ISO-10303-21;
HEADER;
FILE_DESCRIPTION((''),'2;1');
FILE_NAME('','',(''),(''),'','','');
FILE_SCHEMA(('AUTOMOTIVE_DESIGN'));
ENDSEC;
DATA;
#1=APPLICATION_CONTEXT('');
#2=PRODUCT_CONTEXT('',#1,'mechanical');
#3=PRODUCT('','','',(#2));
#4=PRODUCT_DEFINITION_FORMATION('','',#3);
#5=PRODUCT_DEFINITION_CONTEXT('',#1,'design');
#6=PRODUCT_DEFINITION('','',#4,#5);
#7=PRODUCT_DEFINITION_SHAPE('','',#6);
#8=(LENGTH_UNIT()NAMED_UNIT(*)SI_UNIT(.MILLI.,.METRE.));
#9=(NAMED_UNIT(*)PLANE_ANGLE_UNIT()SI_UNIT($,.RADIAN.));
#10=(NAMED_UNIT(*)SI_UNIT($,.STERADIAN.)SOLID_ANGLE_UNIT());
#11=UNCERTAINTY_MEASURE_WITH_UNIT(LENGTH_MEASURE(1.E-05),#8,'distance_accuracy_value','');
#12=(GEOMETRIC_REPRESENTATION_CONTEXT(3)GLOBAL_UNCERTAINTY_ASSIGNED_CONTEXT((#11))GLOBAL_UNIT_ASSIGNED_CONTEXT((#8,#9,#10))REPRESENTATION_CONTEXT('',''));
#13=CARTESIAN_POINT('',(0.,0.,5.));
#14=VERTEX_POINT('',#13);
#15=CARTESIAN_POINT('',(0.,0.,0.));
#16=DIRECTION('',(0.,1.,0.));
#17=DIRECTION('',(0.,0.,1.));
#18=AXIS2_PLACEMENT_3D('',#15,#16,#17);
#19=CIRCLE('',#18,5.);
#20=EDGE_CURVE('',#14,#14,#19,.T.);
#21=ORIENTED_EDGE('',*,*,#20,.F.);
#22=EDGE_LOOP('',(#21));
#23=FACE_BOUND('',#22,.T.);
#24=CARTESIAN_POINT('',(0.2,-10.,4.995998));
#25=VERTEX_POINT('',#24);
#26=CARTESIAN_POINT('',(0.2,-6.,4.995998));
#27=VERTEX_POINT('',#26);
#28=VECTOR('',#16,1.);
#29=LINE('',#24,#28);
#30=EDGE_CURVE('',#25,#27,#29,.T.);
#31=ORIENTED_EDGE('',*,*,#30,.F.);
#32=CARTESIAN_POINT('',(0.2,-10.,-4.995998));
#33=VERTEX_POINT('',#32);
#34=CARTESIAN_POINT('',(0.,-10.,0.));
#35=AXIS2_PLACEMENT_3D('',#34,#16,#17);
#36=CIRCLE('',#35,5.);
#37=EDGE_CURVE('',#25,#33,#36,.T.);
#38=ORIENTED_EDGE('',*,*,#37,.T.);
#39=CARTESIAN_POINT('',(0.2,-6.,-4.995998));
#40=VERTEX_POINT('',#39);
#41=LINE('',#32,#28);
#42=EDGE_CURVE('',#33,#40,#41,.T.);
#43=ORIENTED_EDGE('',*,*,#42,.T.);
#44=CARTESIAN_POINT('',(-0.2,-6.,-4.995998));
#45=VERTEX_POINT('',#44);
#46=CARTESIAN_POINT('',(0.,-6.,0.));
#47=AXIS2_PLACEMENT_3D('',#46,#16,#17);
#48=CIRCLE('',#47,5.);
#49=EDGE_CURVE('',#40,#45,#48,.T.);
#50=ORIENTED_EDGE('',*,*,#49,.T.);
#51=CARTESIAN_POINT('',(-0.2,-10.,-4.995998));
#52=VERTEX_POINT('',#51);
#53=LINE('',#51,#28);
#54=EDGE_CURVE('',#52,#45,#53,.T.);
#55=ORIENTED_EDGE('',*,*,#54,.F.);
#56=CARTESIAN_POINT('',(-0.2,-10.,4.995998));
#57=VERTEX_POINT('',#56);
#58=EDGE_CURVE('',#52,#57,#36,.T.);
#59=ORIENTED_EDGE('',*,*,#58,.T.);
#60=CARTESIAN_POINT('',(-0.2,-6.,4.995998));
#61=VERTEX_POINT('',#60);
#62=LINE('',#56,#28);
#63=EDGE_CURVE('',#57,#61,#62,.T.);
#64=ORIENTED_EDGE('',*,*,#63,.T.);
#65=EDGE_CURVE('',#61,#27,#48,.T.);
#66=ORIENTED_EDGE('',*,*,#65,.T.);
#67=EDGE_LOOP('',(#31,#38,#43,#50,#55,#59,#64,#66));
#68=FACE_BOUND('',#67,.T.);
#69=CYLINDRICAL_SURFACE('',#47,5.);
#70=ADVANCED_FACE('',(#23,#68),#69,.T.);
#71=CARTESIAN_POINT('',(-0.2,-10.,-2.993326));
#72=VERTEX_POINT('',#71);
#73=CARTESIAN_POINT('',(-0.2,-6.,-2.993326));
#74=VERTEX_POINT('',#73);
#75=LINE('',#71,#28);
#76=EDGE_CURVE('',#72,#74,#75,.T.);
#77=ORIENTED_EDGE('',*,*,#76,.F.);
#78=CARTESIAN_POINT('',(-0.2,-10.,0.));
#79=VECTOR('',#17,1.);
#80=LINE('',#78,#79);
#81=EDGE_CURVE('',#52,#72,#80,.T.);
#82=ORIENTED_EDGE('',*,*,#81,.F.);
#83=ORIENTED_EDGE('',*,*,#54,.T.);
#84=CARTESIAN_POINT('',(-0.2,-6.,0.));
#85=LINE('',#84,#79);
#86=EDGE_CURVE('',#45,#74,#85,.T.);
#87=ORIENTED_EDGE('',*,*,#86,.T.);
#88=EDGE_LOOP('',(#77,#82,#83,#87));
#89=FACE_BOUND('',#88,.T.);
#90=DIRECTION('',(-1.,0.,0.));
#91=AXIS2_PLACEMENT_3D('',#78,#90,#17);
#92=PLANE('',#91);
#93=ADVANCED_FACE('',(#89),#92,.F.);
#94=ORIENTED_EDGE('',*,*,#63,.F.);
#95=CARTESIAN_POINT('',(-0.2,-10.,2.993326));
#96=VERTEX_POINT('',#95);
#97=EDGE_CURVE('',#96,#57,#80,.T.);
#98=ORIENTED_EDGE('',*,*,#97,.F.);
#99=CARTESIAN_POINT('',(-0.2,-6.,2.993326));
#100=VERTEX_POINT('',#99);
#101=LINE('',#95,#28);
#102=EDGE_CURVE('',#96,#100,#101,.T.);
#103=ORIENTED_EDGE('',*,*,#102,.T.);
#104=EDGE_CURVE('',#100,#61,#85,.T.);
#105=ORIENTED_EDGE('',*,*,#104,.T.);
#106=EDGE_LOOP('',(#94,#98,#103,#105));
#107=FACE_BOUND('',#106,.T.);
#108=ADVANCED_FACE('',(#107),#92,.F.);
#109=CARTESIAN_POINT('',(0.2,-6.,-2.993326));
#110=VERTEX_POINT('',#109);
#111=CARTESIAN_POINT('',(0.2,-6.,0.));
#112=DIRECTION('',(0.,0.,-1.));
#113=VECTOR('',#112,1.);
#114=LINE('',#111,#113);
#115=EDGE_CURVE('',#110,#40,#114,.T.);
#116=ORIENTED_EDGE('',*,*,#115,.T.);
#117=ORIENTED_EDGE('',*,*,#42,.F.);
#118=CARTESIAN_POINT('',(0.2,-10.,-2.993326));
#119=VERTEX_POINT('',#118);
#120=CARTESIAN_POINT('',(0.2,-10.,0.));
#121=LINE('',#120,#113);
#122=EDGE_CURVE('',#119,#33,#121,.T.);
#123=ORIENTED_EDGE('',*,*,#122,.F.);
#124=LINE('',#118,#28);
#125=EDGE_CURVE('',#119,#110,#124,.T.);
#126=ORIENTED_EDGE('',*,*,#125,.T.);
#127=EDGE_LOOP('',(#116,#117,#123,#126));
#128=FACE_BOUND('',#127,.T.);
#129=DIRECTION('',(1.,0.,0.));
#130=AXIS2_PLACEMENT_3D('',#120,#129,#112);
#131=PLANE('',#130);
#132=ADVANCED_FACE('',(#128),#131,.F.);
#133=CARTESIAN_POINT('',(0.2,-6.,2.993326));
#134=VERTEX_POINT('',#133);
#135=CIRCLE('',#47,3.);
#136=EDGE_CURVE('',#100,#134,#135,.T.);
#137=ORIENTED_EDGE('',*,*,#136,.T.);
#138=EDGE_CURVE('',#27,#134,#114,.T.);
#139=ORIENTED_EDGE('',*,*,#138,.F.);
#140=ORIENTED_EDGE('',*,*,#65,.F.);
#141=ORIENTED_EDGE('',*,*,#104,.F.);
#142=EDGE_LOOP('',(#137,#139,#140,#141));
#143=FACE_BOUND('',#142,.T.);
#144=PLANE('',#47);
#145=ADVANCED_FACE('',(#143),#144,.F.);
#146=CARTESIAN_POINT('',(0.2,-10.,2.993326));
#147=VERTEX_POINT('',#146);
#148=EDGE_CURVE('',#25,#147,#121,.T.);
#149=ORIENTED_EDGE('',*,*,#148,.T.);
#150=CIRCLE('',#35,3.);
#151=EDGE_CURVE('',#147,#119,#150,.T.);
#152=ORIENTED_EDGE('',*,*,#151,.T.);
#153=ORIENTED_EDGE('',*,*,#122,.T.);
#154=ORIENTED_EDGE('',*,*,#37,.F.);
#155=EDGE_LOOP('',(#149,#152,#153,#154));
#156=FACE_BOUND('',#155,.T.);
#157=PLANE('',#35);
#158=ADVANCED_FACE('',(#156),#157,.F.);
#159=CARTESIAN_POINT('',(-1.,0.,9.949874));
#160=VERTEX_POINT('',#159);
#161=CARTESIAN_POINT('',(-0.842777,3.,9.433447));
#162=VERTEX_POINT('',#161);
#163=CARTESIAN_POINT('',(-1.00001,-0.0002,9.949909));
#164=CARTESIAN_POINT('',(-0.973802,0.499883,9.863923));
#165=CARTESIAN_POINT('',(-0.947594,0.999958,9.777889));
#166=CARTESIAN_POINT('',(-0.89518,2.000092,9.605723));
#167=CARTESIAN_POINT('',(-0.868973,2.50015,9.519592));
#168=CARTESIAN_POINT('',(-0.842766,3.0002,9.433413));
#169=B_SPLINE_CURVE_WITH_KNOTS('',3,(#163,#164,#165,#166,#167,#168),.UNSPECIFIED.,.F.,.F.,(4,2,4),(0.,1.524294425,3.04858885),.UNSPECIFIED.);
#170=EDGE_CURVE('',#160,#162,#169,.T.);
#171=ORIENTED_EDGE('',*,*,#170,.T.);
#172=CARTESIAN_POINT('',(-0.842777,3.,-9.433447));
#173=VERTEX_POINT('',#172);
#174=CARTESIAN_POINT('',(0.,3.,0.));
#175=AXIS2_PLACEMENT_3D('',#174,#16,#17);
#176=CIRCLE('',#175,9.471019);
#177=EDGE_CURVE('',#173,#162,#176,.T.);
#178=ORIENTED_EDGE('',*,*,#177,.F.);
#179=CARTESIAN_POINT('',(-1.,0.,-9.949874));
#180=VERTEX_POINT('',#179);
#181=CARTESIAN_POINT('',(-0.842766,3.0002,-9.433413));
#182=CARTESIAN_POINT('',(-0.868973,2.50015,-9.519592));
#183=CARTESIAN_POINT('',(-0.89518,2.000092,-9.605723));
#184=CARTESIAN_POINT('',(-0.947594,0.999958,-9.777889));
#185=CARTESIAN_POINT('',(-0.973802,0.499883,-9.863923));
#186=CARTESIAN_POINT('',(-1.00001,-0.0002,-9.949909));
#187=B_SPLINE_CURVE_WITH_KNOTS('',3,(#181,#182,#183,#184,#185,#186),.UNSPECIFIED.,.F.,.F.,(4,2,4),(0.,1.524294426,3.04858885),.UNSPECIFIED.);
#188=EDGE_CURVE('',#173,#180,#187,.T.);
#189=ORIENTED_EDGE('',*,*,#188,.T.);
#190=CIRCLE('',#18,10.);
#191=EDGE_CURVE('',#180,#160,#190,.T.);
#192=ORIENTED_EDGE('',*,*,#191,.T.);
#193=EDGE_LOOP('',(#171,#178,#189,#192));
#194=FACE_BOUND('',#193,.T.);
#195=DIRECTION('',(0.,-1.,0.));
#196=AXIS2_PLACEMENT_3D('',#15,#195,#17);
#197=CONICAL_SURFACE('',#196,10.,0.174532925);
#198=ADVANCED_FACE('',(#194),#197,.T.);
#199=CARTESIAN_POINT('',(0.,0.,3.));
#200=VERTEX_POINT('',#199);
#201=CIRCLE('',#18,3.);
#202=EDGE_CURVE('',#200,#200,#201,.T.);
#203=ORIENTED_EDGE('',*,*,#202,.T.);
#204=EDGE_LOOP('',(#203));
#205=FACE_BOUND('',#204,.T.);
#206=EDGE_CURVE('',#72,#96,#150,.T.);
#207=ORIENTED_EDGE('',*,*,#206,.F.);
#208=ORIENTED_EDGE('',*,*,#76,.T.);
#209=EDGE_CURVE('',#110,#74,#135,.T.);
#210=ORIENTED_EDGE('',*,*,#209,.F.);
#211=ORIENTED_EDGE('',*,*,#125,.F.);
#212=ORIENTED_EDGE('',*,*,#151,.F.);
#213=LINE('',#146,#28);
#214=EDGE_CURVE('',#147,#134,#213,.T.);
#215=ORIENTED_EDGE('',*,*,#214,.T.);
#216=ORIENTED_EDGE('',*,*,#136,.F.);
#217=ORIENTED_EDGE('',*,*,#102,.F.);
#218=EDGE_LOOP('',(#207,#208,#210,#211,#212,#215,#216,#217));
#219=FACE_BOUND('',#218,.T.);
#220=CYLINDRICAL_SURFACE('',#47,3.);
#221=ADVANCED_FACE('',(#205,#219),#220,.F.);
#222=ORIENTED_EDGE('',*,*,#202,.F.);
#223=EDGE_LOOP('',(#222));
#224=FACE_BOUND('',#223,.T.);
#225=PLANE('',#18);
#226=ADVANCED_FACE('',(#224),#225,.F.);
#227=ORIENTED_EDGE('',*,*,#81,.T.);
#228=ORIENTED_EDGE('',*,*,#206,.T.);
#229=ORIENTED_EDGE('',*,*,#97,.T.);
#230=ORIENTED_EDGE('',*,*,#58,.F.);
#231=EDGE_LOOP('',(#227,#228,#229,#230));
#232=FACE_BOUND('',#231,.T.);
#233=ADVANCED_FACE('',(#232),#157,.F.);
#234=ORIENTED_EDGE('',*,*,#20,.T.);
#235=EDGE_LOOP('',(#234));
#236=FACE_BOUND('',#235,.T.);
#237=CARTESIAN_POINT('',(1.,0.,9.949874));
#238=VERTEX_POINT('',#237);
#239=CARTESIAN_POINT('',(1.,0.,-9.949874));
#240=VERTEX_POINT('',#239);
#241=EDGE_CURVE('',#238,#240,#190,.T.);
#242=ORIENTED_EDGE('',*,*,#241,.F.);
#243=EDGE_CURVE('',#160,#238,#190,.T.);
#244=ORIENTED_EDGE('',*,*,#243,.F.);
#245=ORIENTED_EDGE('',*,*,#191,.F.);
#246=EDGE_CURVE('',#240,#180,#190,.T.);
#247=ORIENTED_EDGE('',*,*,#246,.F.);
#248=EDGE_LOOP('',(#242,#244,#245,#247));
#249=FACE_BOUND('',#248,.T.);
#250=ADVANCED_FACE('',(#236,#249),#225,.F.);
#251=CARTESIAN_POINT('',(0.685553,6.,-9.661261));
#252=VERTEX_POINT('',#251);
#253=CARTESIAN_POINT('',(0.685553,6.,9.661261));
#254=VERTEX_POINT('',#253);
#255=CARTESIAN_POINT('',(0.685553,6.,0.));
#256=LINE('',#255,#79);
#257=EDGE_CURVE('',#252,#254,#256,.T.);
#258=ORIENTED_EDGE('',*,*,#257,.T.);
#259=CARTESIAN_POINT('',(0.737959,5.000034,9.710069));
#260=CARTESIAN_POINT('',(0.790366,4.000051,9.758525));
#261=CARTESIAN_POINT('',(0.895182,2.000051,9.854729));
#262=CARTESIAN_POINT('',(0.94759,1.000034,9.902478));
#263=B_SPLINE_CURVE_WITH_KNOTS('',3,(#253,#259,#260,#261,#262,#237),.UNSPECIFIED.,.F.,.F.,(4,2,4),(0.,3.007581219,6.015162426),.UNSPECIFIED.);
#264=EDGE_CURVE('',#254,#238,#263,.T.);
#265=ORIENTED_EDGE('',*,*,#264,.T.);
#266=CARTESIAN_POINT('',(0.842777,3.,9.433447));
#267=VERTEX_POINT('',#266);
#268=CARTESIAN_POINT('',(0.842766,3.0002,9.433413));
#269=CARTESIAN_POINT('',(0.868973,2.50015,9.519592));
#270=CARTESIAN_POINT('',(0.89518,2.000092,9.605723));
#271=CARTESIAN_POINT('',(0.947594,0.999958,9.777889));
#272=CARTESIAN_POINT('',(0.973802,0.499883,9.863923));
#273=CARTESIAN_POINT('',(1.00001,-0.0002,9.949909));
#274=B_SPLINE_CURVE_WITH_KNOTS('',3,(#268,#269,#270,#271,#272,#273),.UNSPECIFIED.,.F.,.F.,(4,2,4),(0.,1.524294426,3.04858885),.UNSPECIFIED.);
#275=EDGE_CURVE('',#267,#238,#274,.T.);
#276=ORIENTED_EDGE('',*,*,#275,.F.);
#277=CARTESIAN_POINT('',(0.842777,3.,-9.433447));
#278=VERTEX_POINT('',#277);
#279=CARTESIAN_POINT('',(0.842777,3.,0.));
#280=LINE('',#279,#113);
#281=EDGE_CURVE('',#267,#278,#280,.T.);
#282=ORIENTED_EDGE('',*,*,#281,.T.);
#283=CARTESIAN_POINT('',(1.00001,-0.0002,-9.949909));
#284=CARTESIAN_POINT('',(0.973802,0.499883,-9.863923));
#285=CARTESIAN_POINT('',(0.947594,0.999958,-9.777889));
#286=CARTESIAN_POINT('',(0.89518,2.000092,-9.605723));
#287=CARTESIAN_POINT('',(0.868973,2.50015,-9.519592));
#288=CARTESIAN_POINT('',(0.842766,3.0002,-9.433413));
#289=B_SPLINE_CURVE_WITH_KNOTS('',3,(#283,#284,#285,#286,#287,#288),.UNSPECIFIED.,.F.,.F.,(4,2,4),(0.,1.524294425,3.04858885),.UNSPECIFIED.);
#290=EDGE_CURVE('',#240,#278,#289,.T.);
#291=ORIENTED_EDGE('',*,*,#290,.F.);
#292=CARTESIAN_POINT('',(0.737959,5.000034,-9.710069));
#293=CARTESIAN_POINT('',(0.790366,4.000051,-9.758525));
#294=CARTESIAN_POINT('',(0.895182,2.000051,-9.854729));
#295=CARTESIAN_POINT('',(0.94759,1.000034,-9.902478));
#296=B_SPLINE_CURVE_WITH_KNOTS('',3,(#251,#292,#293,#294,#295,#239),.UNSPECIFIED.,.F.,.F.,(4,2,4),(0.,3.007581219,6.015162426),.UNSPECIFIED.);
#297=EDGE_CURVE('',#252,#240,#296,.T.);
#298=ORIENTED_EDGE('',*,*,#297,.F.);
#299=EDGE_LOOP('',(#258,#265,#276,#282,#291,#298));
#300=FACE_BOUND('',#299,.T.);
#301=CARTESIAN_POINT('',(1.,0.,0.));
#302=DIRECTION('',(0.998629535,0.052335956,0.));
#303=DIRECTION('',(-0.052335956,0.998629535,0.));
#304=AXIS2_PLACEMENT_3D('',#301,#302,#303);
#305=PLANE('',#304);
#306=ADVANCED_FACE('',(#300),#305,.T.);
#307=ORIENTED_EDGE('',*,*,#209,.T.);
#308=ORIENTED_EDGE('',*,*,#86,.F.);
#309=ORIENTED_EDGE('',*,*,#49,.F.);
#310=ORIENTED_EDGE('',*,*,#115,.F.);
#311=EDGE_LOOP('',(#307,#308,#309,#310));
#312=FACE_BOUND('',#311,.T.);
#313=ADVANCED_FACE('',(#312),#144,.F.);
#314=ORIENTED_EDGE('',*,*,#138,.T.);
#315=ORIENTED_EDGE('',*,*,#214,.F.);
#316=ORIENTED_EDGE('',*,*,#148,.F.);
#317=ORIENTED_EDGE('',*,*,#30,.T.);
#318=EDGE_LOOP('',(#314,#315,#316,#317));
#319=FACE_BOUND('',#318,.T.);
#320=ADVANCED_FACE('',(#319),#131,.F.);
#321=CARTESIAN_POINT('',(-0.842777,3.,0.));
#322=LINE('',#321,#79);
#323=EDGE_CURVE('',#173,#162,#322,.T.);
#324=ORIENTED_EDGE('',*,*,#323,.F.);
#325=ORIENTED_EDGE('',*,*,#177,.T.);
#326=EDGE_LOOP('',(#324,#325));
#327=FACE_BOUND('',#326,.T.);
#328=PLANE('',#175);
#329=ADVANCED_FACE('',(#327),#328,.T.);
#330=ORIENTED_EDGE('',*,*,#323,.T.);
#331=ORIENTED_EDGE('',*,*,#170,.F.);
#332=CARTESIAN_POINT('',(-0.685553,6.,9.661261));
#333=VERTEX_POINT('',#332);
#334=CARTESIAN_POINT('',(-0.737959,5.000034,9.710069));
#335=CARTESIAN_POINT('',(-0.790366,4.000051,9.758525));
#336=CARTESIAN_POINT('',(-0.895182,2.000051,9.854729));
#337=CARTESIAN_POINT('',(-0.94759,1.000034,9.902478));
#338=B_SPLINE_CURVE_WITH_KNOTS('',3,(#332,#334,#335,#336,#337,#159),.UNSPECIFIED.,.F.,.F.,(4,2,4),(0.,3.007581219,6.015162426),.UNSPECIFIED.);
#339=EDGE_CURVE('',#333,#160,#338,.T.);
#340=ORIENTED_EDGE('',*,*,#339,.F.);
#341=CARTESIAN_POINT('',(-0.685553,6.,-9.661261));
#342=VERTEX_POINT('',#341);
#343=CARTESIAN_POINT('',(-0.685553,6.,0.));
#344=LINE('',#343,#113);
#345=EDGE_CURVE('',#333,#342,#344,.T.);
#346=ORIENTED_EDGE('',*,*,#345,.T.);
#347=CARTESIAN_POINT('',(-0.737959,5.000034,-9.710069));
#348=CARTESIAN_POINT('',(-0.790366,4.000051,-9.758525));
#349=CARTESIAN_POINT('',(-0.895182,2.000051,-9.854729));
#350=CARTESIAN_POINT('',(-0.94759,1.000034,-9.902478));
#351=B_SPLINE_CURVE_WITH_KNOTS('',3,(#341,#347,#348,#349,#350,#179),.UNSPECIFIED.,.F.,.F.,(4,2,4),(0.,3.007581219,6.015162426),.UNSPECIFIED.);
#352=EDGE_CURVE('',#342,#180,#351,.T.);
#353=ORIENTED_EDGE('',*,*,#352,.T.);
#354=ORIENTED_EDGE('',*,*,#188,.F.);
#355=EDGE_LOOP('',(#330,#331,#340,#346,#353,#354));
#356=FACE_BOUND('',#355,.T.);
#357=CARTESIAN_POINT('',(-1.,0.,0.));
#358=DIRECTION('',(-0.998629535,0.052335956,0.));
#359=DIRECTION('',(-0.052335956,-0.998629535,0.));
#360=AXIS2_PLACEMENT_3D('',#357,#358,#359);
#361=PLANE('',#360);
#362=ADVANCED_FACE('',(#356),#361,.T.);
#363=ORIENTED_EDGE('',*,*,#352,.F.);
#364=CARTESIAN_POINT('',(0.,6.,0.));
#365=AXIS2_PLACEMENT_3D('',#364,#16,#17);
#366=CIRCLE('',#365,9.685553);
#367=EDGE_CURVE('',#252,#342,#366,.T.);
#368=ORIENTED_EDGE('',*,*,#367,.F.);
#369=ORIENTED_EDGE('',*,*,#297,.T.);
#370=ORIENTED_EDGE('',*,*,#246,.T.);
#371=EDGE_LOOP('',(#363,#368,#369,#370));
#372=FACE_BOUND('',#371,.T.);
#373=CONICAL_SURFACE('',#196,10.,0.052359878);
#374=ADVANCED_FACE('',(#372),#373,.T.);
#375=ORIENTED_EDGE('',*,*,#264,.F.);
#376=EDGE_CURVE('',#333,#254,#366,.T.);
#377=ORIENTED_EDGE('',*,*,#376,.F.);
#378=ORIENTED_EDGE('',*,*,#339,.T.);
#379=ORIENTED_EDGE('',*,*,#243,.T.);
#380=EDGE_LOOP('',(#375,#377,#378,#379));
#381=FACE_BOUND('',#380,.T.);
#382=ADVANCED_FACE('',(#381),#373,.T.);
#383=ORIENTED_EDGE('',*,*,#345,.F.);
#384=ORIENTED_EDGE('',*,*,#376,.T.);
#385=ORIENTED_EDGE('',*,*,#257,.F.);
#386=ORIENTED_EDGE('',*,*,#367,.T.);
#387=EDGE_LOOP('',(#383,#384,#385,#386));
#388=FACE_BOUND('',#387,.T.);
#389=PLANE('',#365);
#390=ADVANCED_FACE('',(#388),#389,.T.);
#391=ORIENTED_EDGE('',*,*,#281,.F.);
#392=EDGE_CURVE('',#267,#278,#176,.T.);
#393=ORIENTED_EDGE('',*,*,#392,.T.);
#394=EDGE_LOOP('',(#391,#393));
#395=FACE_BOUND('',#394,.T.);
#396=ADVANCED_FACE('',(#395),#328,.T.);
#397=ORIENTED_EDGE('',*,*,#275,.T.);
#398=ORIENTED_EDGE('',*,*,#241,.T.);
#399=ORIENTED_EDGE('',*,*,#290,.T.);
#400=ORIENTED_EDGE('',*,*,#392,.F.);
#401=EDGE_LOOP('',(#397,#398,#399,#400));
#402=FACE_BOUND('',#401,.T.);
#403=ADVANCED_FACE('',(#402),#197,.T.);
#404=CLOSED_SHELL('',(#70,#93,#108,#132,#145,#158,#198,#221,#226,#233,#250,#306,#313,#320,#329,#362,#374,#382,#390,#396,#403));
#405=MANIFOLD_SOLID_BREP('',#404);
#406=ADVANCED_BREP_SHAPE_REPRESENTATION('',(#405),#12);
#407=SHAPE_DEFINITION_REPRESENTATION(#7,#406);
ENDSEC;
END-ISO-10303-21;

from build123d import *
from build123d.topology import SkipClean

# Parameters (mm, degrees)
ESBO_O2_R                = 10
RESSALTO_EXTRUS_O1_DEPTH = 3
RESSALTO_EXTRUS_O1_TAPER = 10
RESSALTO_EXTRUS_O2_DEPTH = 6
RESSALTO_EXTRUS_O2_DRAFT = 3
ESBO_O3_R                = 5
ESBO_O3_R_2              = 3
RESSALTO_EXTRUS_O3_DEPTH = 6
RESSALTO_EXTRUS_O4_DEPTH = 10


with BuildPart() as part:
    # Esboço2 → Ressalto-extrusão1 (new body)
    with BuildSketch(Plane(origin=(0, 0, 0), x_dir=(1, 0, 0), z_dir=(0, 1, 0))):
        Circle(ESBO_O2_R)
    extrude(amount=RESSALTO_EXTRUS_O1_DEPTH, taper=RESSALTO_EXTRUS_O1_TAPER)


with BuildPart() as ressalto_extrus_o2_tool:
    # Esboço2<3> → Ressalto-extrusão2 (with draft: the straight prism first)
    with BuildSketch(Plane(origin=(0, 0, 0), x_dir=(1, 0, 0), z_dir=(0, 1, 0))):
        with BuildLine():
            Line((-1, 9.949874371), (-1, -9.949874371))
            ThreePointArc((-1, -9.949874371), (0, -10), (1, -9.949874371))
            Line((1, -9.949874371), (1, 9.949874371))
            ThreePointArc((1, 9.949874371), (0, 10), (-1, 9.949874371))
        make_face()
    extrude(amount=RESSALTO_EXTRUS_O2_DEPTH)
    # Ressalto-extrusão2: the draft: its side faces are tilted about the plane it starts from
    ressalto_extrus_o2_sides = [ressalto_extrus_o2_tool.faces().sort_by_distance(p)[0] for p in [
        (1, 3, 0),
        (0, 3, -10),
        (-1, 3, 0),
        (0, 3, 10),
    ]]
    draft(ressalto_extrus_o2_sides, Plane(origin=(0, 0, 0), x_dir=(1, 0, 0), z_dir=(0, 1, 0)), RESSALTO_EXTRUS_O2_DRAFT)


with BuildPart() as part_1:
    add(part.part)

    # Ressalto-extrusão2: add ressalto_extrus_o2_tool
    add(ressalto_extrus_o2_tool.part)

    # Esboço3 → Ressalto-extrusão3 (add)
    with BuildSketch(Plane(origin=(0, 0, 0), x_dir=(1, 0, 0), z_dir=(0, 1, 0))):
        Circle(ESBO_O3_R)
        Circle(ESBO_O3_R_2, mode=Mode.SUBTRACT)
    extrude(amount=-RESSALTO_EXTRUS_O3_DEPTH)

    # Esboço3<3> → Ressalto-extrusão4 (add)
    with SkipClean():  # the faces are left unmerged after this step: merging them gives an invalid solid
        with BuildSketch(Plane(origin=(0, 0, 0), x_dir=(1, 0, 0), z_dir=(0, 1, 0))):
            with BuildLine():
                Line((-0.2, 2.993325909), (-0.2, 4.995998399))
                ThreePointArc((-0.2, 4.995998399), (-5, 0), (-0.2, -4.995998399))
                Line((-0.2, -4.995998399), (-0.2, -2.993325909))
                ThreePointArc((-0.2, -2.993325909), (-3, 0), (-0.2, 2.993325909))
            make_face()
            with BuildLine():
                ThreePointArc((0.2, -4.995998399), (5, 0), (0.2, 4.995998399))
                Line((0.2, 4.995998399), (0.2, 2.993325909))
                ThreePointArc((0.2, 2.993325909), (3, 0), (0.2, -2.993325909))
                Line((0.2, -2.993325909), (0.2, -4.995998399))
            make_face()
        extrude(amount=-RESSALTO_EXTRUS_O4_DEPTH)


solid = part_1.part
